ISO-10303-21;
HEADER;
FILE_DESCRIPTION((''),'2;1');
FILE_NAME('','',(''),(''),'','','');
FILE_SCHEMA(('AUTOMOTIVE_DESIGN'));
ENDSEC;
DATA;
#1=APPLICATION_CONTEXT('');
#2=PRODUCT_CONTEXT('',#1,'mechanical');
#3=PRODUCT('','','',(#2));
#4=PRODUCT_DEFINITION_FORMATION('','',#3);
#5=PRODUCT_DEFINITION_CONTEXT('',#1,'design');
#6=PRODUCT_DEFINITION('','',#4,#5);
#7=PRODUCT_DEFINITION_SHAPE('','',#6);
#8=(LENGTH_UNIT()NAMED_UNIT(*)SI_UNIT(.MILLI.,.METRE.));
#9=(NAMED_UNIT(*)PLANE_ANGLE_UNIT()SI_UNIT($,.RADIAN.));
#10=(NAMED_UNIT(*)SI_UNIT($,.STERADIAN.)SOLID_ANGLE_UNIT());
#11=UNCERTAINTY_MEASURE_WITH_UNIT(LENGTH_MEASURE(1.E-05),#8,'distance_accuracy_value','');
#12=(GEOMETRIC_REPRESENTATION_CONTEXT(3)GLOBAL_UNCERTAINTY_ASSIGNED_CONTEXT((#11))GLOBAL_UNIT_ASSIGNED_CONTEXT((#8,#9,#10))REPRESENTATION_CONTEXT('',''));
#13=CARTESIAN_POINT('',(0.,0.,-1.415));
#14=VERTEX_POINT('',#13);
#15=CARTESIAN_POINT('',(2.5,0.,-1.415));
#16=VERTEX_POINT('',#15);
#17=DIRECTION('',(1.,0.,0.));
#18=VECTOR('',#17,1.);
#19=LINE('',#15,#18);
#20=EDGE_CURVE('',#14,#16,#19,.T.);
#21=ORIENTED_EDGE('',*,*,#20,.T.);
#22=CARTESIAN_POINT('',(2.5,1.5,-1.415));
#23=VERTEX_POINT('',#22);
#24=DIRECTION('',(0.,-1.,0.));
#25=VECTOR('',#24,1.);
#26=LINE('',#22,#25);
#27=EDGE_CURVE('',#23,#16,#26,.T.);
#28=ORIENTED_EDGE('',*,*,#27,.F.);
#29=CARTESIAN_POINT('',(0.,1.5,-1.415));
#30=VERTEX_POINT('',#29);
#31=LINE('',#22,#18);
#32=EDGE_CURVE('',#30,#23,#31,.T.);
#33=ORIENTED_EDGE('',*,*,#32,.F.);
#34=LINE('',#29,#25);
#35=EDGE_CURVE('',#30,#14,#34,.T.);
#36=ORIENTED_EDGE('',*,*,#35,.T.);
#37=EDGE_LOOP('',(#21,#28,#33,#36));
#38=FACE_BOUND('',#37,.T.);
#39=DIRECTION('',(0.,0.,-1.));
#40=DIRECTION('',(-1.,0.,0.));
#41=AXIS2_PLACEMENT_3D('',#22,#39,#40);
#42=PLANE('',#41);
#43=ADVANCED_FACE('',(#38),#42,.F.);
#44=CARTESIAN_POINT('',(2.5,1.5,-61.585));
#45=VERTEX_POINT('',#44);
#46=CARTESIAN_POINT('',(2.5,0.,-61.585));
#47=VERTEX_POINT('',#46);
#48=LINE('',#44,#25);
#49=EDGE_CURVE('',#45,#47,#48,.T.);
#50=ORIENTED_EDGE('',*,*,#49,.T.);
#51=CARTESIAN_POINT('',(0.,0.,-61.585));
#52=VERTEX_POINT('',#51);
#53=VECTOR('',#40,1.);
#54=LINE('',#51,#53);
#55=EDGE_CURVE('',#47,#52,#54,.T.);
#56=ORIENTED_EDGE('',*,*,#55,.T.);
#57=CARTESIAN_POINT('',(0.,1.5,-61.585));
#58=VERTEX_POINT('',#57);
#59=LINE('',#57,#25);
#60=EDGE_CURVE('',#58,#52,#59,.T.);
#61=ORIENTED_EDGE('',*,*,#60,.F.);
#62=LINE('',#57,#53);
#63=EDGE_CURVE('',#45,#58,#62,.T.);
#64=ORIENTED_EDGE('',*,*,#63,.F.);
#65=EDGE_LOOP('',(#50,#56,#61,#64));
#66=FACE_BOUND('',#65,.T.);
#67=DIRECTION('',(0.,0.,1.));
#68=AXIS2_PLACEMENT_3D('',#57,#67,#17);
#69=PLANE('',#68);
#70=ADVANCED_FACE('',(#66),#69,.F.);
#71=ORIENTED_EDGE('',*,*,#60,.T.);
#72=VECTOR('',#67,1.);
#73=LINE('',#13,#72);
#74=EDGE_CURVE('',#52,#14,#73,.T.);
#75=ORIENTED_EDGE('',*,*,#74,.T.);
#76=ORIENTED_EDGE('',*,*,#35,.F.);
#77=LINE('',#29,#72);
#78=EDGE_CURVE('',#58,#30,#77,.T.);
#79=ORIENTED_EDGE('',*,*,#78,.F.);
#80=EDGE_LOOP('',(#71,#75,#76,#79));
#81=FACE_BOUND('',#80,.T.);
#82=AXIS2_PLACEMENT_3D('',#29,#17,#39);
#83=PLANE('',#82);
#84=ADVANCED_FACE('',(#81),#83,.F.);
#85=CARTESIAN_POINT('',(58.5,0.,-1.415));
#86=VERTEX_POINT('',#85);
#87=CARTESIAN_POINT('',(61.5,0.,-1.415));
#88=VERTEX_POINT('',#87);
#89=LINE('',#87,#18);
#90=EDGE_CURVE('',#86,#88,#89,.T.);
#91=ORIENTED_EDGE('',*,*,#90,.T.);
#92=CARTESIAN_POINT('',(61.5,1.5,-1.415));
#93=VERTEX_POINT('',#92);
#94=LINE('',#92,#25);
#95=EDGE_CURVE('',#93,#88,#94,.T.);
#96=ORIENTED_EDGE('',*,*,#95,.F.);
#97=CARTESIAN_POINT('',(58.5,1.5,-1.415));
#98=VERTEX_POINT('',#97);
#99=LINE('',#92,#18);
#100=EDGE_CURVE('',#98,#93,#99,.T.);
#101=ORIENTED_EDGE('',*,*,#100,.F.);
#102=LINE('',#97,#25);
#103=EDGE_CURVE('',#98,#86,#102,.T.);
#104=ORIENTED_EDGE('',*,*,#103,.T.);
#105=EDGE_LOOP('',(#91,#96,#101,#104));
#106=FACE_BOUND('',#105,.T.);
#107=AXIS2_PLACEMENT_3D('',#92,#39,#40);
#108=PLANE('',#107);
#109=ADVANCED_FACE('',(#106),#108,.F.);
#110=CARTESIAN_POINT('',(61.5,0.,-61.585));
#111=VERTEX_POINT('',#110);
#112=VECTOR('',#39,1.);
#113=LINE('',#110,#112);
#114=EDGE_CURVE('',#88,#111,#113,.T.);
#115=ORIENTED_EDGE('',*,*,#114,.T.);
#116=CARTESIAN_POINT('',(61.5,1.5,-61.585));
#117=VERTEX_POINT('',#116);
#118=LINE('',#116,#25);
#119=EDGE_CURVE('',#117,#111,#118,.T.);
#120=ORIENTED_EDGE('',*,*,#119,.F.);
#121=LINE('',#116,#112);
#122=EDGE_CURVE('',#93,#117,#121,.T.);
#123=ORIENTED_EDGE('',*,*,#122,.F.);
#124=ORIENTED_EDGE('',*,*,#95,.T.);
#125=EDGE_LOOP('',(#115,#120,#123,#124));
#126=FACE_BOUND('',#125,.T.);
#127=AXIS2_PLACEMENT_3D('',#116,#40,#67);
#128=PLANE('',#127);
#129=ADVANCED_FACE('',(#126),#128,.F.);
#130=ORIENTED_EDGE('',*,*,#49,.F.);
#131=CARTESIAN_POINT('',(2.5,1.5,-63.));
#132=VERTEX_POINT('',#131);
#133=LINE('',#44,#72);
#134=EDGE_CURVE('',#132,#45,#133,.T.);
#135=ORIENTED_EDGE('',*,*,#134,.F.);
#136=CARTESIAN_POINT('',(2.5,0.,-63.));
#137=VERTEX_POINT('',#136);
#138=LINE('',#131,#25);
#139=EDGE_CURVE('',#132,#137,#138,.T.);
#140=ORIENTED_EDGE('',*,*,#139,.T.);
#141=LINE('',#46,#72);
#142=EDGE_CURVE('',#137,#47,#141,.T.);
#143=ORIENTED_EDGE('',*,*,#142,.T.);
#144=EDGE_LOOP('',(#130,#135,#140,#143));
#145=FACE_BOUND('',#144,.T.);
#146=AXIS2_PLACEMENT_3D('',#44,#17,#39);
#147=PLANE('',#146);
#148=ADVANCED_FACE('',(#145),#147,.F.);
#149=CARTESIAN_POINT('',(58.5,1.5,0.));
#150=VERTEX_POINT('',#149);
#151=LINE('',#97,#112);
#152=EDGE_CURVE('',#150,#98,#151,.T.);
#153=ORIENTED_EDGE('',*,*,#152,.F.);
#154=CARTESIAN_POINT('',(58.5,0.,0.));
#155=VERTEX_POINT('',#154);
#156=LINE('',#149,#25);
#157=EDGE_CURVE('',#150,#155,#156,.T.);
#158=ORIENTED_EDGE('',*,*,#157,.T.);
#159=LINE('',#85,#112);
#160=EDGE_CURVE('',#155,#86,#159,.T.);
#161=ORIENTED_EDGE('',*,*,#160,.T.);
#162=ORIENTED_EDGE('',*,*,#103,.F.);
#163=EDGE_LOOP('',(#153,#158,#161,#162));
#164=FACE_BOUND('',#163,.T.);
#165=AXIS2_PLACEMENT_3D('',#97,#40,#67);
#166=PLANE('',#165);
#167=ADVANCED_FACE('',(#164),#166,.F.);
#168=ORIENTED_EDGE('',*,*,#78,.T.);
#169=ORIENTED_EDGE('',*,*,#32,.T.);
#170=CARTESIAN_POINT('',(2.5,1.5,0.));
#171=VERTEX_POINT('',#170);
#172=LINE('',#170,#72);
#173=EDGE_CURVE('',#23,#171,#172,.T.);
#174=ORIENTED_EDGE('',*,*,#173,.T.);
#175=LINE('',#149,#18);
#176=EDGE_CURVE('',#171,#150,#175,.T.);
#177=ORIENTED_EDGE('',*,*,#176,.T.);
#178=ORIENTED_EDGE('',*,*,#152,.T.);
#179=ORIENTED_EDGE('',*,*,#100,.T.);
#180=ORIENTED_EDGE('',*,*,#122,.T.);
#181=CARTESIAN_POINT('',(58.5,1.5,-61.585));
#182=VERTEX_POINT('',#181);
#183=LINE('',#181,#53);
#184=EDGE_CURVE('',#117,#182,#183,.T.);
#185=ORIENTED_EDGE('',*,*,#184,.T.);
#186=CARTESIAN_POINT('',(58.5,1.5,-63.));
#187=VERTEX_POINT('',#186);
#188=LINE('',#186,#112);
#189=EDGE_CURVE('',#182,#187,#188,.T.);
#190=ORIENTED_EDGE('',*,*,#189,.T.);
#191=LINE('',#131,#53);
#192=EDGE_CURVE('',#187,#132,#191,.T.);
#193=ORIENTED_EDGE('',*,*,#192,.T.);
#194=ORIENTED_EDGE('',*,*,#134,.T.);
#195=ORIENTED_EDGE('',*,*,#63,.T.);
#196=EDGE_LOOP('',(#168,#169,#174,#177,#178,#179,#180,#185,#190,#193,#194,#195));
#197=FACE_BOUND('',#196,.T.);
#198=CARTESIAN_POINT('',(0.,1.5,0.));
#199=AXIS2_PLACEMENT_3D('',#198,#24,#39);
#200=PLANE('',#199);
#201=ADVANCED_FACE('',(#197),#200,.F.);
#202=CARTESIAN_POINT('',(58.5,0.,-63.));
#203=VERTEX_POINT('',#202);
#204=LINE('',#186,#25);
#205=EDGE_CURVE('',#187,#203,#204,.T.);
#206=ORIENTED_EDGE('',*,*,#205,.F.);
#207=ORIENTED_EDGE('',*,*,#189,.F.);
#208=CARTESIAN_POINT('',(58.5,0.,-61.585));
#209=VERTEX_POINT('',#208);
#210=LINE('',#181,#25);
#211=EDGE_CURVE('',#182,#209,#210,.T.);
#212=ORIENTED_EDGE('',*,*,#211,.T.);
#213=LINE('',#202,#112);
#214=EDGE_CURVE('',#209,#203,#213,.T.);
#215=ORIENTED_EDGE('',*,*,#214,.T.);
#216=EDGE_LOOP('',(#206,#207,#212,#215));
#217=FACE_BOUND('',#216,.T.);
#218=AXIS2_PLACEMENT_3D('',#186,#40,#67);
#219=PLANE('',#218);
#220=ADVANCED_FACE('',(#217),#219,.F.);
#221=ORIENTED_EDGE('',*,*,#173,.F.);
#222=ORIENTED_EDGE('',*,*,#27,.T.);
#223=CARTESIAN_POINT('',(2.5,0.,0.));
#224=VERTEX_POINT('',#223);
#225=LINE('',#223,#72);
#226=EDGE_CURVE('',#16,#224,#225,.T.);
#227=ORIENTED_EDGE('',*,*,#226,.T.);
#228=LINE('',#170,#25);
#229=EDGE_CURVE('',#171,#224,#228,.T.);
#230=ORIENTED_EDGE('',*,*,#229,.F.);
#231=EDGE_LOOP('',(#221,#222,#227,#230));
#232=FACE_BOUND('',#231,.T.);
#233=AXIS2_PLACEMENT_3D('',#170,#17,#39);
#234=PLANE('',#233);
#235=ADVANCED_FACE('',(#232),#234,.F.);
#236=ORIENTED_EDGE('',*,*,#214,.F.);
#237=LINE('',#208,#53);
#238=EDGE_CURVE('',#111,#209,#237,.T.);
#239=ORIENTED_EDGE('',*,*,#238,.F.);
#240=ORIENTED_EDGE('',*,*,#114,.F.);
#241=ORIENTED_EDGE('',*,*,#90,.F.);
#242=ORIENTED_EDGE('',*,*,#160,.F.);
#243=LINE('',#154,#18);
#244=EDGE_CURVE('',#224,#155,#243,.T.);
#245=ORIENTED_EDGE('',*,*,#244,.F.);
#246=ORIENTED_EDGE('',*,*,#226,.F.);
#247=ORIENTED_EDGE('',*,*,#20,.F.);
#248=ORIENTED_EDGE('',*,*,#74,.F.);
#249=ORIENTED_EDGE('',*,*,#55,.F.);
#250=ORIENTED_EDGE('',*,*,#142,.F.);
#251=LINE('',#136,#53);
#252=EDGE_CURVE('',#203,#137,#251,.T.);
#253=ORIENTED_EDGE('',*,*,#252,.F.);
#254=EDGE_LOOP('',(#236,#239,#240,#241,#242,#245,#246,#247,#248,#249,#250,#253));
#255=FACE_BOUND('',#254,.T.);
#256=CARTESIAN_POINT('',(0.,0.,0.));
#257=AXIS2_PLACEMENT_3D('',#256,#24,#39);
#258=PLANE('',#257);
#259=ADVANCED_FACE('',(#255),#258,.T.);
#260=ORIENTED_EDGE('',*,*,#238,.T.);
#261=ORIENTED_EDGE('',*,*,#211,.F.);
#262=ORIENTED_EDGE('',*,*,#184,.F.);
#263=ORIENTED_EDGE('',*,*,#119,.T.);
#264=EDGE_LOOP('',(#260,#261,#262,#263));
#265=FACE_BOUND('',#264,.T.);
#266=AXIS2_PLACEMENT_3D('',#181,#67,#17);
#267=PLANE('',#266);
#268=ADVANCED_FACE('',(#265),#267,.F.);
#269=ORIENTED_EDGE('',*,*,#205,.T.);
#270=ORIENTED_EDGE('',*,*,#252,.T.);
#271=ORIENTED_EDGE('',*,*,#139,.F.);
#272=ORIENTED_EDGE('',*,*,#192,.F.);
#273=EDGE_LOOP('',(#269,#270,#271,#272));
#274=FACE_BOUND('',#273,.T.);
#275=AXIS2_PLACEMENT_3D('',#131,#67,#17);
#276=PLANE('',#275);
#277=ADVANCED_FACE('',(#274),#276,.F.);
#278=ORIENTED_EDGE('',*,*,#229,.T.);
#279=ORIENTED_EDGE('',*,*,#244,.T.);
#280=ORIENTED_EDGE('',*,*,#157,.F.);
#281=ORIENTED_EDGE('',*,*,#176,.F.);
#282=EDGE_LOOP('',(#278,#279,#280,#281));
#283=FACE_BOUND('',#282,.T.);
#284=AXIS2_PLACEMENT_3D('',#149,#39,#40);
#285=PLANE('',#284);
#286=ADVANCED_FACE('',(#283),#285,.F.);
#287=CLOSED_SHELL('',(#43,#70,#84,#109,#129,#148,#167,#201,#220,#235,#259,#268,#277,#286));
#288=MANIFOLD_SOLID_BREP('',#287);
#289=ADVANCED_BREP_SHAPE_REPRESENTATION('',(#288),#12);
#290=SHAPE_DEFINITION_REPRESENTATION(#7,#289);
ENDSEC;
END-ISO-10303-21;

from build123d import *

# Parameters (mm, degrees)
BOSS_EXTRUDE1_DEPTH = 1.5


with BuildPart() as part:
    # Sketch1 → Boss-Extrude1 (new body)
    with BuildSketch(Plane(origin=(0, 0, 0), x_dir=(1, 0, 0), z_dir=(0, 1, 0))):
        Polygon((0, 1.415), (0, 61.585), (2.5, 61.585), (2.5, 63), (58.5, 63), (58.5, 61.585), (61.5, 61.585), (61.5, 1.415), (58.5, 1.415), (58.5, 0), (2.5, 0), (2.5, 1.415), align=None)
    extrude(amount=BOSS_EXTRUDE1_DEPTH)


solid = part.part
